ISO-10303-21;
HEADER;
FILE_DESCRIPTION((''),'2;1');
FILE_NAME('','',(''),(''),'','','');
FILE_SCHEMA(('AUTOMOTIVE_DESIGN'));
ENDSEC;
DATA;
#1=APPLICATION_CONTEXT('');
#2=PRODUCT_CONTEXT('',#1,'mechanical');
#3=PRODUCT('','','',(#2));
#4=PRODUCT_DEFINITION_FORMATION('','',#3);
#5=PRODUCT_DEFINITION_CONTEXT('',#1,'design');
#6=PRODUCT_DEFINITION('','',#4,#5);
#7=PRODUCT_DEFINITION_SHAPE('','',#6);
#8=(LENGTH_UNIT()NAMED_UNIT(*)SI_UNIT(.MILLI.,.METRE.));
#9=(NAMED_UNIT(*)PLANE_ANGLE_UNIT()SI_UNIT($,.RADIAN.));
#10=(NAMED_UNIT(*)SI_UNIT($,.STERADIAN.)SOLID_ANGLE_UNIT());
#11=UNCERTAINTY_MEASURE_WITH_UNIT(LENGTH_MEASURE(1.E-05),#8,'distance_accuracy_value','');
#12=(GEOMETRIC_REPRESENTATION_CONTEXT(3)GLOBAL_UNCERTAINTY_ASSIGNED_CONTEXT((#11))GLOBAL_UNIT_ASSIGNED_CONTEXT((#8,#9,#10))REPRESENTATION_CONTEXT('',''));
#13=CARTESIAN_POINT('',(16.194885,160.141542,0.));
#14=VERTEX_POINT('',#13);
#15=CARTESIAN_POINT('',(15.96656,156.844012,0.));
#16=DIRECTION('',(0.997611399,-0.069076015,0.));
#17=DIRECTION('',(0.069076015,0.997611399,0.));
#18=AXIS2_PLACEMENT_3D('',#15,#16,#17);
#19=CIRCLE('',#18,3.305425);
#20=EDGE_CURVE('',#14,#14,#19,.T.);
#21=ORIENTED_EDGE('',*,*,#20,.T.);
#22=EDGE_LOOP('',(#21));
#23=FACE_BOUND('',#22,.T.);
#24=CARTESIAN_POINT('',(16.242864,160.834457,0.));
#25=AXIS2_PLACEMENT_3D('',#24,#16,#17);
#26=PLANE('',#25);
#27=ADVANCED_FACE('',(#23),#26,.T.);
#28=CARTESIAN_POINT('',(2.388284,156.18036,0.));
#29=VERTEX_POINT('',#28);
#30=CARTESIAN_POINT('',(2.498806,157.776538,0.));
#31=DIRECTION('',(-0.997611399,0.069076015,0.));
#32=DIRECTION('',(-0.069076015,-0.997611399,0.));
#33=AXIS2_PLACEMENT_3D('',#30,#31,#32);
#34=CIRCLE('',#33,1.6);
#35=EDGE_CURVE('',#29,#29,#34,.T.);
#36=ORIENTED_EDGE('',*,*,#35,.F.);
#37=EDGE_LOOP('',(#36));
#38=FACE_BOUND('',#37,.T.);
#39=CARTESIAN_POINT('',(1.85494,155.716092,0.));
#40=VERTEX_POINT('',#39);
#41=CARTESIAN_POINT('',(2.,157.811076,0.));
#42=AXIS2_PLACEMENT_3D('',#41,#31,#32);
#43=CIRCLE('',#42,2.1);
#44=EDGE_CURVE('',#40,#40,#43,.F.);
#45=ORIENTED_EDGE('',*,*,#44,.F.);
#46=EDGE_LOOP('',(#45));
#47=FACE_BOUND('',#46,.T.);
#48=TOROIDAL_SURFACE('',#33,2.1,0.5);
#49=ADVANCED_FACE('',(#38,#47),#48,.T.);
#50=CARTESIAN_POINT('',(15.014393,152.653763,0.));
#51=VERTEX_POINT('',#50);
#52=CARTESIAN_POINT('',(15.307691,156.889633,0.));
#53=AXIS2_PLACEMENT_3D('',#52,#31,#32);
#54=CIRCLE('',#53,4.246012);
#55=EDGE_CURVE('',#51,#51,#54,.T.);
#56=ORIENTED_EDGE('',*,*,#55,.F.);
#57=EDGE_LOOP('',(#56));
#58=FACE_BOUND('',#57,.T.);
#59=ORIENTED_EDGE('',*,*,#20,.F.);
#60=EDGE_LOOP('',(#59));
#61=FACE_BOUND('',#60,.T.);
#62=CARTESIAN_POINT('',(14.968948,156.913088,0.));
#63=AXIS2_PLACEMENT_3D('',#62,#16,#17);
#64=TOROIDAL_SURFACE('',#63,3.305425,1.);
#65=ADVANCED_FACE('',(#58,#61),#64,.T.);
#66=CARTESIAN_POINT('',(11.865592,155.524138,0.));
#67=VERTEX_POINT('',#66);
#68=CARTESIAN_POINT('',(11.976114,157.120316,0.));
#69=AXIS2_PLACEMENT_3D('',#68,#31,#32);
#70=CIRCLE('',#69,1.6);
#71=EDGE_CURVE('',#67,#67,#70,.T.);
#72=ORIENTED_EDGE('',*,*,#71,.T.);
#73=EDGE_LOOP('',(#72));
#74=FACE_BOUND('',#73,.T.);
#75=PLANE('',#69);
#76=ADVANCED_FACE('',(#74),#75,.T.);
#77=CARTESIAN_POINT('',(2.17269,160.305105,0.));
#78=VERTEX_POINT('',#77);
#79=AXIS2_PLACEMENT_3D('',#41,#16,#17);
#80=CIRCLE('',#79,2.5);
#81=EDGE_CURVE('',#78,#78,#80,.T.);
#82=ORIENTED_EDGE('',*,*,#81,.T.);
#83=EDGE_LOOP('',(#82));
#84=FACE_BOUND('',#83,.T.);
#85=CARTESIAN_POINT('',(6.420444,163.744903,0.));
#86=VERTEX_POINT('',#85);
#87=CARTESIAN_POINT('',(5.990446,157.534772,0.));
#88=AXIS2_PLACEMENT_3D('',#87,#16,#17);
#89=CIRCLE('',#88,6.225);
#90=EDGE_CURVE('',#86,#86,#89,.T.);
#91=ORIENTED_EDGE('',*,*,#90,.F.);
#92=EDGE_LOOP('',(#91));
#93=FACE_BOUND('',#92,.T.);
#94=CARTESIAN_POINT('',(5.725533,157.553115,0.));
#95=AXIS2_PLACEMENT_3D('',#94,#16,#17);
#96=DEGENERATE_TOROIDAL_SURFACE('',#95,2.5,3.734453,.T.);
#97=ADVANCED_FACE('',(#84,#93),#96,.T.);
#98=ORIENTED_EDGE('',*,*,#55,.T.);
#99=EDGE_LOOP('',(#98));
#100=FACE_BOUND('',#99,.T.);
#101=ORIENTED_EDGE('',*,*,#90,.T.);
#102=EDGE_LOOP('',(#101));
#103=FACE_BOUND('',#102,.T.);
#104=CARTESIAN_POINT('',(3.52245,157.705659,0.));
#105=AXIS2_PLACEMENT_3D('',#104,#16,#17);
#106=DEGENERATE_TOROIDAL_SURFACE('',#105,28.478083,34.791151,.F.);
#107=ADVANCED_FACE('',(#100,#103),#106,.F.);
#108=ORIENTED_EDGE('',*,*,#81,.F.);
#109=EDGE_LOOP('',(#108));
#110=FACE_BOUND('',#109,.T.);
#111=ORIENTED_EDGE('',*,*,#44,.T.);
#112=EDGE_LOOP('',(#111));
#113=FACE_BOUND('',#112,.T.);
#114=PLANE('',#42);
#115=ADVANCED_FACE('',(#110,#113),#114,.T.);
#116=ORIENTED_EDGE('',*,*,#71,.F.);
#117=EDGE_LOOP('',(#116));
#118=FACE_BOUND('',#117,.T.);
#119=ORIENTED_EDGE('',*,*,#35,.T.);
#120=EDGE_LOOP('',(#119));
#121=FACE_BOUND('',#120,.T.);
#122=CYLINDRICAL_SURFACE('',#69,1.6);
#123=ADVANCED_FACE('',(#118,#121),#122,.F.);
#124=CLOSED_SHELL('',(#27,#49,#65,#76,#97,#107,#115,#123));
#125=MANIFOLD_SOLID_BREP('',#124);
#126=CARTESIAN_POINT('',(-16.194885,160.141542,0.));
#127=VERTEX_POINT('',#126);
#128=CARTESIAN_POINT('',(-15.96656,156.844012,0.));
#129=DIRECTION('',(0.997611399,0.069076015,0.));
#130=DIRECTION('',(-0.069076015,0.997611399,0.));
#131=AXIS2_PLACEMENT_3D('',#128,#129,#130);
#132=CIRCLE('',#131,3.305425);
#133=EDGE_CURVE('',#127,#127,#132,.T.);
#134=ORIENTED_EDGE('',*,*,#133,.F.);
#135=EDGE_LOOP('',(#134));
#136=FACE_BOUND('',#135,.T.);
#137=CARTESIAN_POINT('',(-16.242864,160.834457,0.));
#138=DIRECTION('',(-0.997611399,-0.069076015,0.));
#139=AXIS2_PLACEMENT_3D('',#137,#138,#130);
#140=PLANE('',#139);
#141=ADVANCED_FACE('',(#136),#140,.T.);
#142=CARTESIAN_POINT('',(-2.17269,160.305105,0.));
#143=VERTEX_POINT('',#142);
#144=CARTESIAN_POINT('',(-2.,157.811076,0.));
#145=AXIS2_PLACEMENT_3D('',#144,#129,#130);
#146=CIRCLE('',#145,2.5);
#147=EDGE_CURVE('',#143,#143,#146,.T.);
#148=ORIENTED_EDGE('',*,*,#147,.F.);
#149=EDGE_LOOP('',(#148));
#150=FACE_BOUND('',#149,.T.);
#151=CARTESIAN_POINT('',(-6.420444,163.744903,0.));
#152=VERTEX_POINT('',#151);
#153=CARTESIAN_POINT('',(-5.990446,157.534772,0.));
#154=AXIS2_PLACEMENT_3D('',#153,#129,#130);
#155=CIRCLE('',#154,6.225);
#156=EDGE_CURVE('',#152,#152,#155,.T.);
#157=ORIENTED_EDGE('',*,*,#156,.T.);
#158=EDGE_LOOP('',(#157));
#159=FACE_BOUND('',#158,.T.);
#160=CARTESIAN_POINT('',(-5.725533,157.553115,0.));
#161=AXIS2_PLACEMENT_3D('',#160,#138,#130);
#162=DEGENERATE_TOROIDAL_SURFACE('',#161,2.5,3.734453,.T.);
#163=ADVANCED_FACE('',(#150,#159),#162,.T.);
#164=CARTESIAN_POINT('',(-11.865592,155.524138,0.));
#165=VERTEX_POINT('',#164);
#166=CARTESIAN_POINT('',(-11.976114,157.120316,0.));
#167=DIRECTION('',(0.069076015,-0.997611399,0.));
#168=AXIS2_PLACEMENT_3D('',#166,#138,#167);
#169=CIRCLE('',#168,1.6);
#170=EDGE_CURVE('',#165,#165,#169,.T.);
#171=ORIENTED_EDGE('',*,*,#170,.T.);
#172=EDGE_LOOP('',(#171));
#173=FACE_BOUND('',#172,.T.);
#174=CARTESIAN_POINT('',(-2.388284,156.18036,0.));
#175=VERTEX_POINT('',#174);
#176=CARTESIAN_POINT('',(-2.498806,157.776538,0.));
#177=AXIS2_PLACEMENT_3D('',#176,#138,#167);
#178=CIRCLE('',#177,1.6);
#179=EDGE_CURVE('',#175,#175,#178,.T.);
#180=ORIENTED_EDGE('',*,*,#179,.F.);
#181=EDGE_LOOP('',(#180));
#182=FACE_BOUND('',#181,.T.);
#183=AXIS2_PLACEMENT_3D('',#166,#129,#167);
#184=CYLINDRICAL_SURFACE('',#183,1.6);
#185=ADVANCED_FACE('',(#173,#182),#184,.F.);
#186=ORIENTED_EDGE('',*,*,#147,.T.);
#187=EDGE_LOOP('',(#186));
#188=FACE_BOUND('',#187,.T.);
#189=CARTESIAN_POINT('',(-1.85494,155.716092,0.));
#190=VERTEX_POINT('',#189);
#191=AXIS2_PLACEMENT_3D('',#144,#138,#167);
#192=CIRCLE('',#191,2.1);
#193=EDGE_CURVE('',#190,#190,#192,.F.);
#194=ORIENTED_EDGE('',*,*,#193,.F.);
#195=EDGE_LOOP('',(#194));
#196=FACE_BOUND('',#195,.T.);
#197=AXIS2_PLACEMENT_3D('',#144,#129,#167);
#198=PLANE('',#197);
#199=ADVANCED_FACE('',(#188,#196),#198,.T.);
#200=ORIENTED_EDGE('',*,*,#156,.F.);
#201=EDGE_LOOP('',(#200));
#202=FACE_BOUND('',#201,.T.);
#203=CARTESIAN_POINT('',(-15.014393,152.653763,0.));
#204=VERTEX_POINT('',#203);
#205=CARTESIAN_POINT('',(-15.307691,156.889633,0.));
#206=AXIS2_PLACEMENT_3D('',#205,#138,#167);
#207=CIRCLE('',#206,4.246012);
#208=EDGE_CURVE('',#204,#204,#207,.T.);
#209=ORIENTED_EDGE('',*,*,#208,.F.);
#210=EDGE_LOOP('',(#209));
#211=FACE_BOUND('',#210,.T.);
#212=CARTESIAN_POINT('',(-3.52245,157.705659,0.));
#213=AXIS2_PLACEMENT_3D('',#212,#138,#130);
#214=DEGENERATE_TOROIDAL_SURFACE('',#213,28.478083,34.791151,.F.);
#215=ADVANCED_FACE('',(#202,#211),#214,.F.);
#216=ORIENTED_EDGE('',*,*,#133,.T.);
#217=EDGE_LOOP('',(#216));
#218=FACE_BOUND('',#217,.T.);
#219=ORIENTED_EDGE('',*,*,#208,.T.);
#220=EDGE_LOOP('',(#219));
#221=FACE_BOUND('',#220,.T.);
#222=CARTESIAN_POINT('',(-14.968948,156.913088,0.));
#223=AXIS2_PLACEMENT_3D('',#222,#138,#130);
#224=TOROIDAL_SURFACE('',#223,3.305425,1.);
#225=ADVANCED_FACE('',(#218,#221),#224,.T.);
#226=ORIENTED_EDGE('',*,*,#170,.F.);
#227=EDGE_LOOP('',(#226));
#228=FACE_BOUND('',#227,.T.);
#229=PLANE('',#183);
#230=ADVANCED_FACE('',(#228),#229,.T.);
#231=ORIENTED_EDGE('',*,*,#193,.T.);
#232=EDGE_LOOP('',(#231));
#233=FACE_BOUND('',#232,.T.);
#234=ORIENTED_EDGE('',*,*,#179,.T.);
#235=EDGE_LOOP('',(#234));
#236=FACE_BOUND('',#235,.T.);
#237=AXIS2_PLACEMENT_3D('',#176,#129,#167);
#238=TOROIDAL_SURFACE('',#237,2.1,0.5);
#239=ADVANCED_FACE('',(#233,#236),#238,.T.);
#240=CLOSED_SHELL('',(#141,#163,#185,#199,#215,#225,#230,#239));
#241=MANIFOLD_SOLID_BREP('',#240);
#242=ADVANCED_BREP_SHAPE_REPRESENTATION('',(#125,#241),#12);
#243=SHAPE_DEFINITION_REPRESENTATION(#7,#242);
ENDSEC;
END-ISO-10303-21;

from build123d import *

# Parameters (mm, degrees)
REDONDEO1_R           = 1
CROQUIS10_R           = 1.6
CORTAR_EXTRUIR2_DEPTH = 10
REDONDEO2_R           = 0.5


with BuildPart() as part:
    # Croquis9 → Revolución1 (revolve)
    with BuildSketch(Plane.XY):
        with BuildLine():
            Line((2, 157.811076058), (2.172690038, 160.305104556))
            ThreePointArc((2.172690038, 160.305104556), (3.548041005, 162.949346806), (6.420443791, 163.744902958))
            ThreePointArc((6.420443791, 163.744902958), (11.439366208, 162.653197494), (16.242863651, 160.834457444))
            Line((16.242863651, 160.834457444), (15.966559591, 156.844011847))
            Line((15.966559591, 156.844011847), (2, 157.811076058))
        make_face()
    revolve(axis=Axis((15.966559591, 156.844011847, 0), (-0.9976113993662253, 0.06907601504546812, 0)))

    # Redondeo1
    redondeo1_edges = [part.edges().sort_by_distance(p)[0] for p in [
        (15.690255531, 152.853566249, 0),
    ]]
    fillet(redondeo1_edges, radius=REDONDEO1_R)

    # Croquis10 → Cortar-Extruir2 (cut)
    with BuildSketch(Plane(origin=(-8.884465215, 0.615172855, 0), x_dir=(0, 0, 1), z_dir=(-0.9976113993662253, 0.06907601504546812, 0))):
        with Locations(Location((0, 157.572280451, 0), (0, 0, 270))):
            Circle(CROQUIS10_R)
    extrude(amount=-CORTAR_EXTRUIR2_DEPTH, mode=Mode.SUBTRACT)

    # Redondeo2
    redondeo2_edges = [part.edges().sort_by_distance(p)[0] for p in [
        (2.110521624, 159.407254297, 0),
    ]]
    fillet(redondeo2_edges, radius=REDONDEO2_R)


with BuildPart() as body_2:
    # Simetría6: mirrored copy
    add(part.part.mirror(Plane(origin=(0, 0, 0), x_dir=(0, 0, 1), z_dir=(1, 0, 0))))


solid = Compound([part.part, body_2.part])
